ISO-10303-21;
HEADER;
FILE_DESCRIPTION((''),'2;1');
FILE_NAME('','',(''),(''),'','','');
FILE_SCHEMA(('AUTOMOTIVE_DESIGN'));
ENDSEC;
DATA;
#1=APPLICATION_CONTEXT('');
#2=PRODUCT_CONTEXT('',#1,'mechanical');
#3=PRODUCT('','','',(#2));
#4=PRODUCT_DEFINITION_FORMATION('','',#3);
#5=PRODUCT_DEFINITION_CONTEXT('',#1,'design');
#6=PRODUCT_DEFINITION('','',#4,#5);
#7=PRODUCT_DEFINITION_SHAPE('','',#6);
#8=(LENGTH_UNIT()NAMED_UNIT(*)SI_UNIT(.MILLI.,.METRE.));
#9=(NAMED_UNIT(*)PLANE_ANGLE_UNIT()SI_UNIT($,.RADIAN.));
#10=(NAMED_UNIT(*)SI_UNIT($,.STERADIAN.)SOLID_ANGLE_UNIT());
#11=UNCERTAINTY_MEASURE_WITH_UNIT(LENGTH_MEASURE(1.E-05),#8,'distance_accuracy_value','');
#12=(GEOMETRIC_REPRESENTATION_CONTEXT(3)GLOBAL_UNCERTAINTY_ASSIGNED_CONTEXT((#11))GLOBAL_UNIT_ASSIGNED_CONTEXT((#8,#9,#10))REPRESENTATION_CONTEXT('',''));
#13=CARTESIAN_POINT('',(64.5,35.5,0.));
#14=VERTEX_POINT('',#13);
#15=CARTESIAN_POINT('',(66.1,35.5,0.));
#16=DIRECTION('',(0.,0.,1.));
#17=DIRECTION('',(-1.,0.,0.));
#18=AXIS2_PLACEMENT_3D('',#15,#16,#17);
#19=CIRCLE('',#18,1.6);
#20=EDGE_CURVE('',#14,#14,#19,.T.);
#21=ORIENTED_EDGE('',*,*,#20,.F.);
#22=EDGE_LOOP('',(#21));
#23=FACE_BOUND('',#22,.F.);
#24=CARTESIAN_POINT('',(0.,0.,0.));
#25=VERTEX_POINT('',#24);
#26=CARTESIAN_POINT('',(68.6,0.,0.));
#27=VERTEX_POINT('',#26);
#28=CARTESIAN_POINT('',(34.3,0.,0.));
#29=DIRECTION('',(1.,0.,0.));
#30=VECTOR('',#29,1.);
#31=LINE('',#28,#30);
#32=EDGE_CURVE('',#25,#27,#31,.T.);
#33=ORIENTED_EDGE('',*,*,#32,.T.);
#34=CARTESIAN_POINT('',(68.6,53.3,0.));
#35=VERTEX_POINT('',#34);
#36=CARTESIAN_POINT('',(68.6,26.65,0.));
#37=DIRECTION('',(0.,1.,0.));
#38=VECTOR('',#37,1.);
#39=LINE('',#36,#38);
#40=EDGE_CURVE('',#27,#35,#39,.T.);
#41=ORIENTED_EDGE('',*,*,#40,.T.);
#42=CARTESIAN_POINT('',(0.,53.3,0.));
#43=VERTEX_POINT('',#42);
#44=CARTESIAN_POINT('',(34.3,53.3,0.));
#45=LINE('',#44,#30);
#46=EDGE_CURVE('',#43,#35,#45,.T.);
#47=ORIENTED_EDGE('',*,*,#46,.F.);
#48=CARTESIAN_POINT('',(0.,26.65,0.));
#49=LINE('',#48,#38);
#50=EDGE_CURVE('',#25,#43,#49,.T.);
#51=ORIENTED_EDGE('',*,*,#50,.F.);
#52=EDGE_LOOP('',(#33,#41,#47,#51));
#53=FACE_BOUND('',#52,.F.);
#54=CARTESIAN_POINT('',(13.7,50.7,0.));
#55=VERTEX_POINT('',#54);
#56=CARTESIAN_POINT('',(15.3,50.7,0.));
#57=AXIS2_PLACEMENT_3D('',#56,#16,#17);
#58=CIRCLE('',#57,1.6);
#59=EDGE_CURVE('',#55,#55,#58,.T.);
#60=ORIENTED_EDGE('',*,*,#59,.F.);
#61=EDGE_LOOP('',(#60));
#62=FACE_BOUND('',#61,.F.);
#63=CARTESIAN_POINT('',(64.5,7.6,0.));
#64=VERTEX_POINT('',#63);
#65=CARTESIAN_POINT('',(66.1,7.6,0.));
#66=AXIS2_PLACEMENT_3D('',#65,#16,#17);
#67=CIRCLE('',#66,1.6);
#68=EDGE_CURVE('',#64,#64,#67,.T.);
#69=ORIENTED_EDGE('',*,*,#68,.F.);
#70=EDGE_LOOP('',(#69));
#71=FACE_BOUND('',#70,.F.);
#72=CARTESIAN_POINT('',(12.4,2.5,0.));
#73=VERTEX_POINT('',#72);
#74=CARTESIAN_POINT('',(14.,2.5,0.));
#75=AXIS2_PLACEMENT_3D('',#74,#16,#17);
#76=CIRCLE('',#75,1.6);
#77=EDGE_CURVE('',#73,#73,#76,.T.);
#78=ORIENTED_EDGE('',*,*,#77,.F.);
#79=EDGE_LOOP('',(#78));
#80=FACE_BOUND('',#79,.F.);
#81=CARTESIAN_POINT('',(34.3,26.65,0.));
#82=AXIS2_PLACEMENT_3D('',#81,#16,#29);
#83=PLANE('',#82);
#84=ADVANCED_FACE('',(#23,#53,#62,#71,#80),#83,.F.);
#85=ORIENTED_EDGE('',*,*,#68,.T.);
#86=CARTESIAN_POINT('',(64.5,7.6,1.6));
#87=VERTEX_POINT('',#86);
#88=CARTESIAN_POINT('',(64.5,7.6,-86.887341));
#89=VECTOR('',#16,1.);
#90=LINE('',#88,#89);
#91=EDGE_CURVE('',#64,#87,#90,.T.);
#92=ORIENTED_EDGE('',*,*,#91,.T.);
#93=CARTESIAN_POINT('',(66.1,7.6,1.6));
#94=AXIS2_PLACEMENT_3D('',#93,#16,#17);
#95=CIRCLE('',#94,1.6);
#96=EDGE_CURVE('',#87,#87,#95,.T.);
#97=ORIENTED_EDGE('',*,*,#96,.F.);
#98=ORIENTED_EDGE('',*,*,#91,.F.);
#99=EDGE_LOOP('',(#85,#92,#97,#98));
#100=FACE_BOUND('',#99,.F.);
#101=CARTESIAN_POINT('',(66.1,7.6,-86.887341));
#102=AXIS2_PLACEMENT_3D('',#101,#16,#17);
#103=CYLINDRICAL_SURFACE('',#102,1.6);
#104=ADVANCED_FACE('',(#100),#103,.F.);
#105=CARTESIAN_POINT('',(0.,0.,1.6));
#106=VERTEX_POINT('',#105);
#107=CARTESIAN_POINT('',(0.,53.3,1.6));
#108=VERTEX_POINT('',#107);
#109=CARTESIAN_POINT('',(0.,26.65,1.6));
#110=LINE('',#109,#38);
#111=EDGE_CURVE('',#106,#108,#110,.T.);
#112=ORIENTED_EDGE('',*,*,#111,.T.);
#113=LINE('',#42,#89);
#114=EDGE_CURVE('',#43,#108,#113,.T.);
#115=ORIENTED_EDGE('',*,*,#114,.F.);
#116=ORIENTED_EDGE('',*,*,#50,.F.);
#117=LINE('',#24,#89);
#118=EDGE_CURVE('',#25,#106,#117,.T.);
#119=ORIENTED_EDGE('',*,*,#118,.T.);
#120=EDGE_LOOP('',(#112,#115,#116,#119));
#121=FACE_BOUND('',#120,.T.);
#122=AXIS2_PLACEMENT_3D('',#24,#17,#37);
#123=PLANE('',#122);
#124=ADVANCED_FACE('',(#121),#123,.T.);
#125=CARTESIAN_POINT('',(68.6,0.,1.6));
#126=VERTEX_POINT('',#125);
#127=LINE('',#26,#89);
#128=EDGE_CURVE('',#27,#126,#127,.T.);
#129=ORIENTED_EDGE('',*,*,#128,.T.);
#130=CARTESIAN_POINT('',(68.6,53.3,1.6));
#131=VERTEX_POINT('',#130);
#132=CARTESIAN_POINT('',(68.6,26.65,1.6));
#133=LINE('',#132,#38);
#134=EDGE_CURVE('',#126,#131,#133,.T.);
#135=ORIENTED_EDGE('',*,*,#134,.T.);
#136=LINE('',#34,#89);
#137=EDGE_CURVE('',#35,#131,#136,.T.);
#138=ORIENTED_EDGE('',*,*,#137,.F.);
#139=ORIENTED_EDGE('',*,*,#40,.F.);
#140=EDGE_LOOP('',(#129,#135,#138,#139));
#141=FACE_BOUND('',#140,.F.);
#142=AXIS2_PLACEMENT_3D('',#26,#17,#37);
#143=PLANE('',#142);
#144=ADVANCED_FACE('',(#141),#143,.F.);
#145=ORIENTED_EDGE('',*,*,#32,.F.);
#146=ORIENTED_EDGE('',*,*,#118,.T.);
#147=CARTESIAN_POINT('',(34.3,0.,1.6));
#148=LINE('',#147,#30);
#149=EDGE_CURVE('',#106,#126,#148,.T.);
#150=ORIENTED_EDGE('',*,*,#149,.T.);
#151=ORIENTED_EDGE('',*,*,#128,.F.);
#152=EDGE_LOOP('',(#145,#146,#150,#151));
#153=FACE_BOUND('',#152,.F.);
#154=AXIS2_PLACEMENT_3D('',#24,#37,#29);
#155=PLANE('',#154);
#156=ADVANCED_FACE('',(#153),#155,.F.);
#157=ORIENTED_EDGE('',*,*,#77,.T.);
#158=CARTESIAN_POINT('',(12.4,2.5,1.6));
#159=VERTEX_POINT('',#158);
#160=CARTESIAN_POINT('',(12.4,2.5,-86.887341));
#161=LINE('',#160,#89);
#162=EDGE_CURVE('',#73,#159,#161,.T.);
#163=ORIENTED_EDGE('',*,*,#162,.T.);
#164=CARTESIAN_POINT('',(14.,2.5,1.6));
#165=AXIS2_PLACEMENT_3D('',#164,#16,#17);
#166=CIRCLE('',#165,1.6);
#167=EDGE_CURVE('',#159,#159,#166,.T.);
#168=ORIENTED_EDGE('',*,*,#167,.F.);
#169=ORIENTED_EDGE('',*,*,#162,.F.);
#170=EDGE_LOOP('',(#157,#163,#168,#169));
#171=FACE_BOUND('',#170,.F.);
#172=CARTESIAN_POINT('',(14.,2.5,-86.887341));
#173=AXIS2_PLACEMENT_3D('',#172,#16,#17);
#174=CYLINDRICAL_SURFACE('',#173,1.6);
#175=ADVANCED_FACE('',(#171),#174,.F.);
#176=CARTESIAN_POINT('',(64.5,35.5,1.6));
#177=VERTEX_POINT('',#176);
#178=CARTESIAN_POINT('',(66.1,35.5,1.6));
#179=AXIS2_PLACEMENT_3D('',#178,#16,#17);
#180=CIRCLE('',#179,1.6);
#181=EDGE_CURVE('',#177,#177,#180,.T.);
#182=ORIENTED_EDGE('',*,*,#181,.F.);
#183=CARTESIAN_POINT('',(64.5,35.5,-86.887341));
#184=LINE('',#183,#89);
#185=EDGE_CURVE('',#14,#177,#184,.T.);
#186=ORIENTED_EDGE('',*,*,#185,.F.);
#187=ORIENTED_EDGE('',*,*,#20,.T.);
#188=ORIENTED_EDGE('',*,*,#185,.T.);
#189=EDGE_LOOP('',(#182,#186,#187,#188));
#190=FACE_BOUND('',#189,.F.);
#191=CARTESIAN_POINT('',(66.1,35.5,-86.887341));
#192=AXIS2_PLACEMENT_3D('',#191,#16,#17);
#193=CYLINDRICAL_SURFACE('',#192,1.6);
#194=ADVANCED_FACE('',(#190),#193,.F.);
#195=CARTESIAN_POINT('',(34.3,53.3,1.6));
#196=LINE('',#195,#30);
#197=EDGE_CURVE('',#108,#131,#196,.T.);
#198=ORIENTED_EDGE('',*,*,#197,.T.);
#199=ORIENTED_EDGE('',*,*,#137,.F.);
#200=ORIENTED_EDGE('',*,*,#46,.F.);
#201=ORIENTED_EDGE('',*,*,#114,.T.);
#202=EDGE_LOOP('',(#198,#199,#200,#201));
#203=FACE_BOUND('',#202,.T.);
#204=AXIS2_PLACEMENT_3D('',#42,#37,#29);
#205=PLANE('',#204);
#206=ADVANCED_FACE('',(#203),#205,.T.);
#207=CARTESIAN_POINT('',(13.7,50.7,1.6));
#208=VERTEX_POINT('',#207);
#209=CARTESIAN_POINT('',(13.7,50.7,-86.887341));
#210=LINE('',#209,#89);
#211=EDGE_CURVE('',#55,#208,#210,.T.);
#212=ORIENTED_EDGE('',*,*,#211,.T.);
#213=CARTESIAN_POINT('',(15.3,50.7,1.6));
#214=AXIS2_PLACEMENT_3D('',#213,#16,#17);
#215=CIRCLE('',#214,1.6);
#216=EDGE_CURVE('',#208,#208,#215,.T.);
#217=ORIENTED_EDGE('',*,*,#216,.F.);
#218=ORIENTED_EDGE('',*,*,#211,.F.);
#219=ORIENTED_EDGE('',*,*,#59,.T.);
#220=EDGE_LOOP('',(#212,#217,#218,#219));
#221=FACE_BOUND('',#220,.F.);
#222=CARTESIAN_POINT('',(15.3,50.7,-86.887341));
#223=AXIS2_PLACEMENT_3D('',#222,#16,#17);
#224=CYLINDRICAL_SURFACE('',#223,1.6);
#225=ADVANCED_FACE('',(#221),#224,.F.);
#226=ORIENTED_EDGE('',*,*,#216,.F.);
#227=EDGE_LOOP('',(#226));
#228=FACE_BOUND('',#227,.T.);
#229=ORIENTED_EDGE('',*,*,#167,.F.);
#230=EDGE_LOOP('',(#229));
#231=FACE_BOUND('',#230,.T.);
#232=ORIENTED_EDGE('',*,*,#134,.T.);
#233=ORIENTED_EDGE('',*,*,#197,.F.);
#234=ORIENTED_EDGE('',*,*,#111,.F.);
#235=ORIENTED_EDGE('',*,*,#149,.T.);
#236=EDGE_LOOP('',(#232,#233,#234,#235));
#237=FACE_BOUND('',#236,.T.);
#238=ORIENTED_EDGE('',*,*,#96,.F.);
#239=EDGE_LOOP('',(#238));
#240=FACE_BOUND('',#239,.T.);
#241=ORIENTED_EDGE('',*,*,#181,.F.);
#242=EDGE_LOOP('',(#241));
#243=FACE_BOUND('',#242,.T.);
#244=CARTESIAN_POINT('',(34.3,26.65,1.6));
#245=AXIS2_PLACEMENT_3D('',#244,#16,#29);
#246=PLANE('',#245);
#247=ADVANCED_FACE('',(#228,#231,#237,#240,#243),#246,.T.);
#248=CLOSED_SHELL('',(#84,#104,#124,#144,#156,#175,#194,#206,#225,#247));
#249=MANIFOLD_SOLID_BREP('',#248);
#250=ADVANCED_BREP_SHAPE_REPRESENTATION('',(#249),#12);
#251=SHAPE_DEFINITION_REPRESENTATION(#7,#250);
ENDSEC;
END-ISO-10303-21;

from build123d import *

# Parameters (mm, degrees)
F0_W     = 68.6
F0_H     = 53.3
F1_DEPTH = 1.6
F2_D     = 3.2


with BuildPart() as f1:
    # F0 (on Top) → F1 (new body)
    with BuildSketch(Plane.XY):
        with Locations((34.3, 26.65)):
            Rectangle(F0_W, F0_H)
    extrude(amount=F1_DEPTH)

    # F2 (through all)
    with Locations(Plane(origin=(0, 0, 0), x_dir=(1, 0, 0), z_dir=(0, 0, -1))):
        with Locations((15.3, -50.7), (66.1, -35.5), (66.1, -7.6), (14, -2.5)):
            Hole(F2_D / 2)


solid = f1.part
